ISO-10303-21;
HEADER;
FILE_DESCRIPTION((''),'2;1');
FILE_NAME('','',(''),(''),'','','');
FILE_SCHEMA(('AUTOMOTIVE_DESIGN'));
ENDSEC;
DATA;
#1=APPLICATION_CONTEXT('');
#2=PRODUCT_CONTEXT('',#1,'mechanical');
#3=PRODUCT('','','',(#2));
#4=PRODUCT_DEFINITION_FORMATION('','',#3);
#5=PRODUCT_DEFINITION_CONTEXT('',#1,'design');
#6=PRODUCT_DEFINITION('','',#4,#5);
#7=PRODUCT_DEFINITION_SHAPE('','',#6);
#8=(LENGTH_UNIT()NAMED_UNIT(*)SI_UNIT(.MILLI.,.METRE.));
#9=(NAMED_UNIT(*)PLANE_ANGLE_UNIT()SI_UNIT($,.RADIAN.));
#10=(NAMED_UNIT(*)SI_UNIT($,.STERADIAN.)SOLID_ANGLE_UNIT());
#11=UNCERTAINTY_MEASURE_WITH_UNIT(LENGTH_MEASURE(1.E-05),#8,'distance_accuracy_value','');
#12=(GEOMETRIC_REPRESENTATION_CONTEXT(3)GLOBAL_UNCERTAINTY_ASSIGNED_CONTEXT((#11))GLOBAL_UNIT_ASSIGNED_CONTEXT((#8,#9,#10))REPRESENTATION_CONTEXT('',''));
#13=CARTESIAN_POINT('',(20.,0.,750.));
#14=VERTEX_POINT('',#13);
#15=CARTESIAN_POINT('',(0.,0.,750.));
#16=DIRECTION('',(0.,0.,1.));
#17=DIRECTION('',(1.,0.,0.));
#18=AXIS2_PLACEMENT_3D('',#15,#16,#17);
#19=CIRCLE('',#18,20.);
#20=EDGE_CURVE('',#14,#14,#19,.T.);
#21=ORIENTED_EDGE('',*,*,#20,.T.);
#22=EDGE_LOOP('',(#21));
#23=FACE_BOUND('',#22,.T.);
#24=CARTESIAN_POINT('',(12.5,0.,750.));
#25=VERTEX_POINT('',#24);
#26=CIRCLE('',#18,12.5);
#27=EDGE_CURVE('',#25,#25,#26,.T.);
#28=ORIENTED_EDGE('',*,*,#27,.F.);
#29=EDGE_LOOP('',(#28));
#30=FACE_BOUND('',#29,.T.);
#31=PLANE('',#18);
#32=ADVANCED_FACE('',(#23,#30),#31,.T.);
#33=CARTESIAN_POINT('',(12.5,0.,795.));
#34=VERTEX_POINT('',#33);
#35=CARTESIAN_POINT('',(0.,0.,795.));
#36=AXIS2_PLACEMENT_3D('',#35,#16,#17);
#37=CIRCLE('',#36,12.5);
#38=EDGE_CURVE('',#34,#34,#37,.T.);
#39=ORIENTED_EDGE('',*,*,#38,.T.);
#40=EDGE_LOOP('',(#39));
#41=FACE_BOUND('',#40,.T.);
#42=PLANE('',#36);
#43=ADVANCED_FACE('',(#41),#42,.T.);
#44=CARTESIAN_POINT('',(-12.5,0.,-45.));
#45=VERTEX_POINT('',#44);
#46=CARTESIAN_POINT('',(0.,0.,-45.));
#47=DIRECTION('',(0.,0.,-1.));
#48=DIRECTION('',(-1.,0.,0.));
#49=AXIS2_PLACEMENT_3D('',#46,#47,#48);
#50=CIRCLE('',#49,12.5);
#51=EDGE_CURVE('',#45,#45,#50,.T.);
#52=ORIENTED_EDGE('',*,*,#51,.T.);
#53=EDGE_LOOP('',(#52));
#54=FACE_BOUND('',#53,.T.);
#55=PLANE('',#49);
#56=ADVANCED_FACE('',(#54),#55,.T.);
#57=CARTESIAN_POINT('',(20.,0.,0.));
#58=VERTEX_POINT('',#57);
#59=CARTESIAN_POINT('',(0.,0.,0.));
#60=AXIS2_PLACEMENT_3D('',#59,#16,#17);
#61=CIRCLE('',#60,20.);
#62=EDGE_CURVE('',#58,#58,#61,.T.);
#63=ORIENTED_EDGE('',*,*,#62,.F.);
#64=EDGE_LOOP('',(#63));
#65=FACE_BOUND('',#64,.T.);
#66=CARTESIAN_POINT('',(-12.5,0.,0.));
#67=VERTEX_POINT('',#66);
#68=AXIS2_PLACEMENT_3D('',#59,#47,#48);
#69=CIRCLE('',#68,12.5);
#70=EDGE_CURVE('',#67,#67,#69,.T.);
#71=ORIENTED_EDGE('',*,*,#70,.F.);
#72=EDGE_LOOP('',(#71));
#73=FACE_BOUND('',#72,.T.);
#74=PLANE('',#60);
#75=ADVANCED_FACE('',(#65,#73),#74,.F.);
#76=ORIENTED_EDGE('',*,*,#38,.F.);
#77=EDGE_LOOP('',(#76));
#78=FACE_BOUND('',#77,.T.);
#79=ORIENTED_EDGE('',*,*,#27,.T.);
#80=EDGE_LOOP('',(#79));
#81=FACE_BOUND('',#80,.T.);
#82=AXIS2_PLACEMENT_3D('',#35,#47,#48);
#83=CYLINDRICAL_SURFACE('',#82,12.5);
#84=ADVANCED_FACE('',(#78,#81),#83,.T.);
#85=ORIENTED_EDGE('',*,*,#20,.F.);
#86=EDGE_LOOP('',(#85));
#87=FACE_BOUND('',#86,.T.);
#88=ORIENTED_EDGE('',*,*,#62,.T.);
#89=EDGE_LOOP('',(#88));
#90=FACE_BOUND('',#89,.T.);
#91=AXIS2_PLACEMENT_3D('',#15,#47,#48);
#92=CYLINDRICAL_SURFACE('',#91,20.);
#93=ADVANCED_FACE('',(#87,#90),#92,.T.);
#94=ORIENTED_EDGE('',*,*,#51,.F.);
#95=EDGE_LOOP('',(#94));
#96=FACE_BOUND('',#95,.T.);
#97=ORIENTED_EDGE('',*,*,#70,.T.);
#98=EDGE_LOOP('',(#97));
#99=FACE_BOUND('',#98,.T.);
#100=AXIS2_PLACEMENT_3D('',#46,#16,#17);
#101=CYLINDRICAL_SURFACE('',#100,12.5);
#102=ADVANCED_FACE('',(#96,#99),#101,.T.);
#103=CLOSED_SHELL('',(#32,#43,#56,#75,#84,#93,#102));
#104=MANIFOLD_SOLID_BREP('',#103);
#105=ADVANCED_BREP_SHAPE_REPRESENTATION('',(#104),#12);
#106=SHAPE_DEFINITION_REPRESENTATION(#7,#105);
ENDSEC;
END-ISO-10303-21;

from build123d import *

# Parameters (mm, degrees)
SKETCH1_R           = 20
BOSS_EXTRUDE1_DEPTH = 750
SKETCH2_R           = 12.5
BOSS_EXTRUDE2_DEPTH = 45
SKETCH3_R           = 12.5
BOSS_EXTRUDE3_DEPTH = 45


with BuildPart() as part:
    # Sketch1 → Boss-Extrude1 (new body)
    with BuildSketch(Plane.XY):
        Circle(SKETCH1_R)
    extrude(amount=BOSS_EXTRUDE1_DEPTH)

    # Sketch2 → Boss-Extrude2 (add)
    with BuildSketch(Plane.XY.offset(750)):
        Circle(SKETCH2_R)
    extrude(amount=BOSS_EXTRUDE2_DEPTH)

    # Sketch3 → Boss-Extrude3 (add)
    with BuildSketch(Plane(origin=(0, 0, 0), x_dir=(-1, 0, 0), z_dir=(0, 0, -1))):
        Circle(SKETCH3_R)
    extrude(amount=BOSS_EXTRUDE3_DEPTH)


solid = part.part
